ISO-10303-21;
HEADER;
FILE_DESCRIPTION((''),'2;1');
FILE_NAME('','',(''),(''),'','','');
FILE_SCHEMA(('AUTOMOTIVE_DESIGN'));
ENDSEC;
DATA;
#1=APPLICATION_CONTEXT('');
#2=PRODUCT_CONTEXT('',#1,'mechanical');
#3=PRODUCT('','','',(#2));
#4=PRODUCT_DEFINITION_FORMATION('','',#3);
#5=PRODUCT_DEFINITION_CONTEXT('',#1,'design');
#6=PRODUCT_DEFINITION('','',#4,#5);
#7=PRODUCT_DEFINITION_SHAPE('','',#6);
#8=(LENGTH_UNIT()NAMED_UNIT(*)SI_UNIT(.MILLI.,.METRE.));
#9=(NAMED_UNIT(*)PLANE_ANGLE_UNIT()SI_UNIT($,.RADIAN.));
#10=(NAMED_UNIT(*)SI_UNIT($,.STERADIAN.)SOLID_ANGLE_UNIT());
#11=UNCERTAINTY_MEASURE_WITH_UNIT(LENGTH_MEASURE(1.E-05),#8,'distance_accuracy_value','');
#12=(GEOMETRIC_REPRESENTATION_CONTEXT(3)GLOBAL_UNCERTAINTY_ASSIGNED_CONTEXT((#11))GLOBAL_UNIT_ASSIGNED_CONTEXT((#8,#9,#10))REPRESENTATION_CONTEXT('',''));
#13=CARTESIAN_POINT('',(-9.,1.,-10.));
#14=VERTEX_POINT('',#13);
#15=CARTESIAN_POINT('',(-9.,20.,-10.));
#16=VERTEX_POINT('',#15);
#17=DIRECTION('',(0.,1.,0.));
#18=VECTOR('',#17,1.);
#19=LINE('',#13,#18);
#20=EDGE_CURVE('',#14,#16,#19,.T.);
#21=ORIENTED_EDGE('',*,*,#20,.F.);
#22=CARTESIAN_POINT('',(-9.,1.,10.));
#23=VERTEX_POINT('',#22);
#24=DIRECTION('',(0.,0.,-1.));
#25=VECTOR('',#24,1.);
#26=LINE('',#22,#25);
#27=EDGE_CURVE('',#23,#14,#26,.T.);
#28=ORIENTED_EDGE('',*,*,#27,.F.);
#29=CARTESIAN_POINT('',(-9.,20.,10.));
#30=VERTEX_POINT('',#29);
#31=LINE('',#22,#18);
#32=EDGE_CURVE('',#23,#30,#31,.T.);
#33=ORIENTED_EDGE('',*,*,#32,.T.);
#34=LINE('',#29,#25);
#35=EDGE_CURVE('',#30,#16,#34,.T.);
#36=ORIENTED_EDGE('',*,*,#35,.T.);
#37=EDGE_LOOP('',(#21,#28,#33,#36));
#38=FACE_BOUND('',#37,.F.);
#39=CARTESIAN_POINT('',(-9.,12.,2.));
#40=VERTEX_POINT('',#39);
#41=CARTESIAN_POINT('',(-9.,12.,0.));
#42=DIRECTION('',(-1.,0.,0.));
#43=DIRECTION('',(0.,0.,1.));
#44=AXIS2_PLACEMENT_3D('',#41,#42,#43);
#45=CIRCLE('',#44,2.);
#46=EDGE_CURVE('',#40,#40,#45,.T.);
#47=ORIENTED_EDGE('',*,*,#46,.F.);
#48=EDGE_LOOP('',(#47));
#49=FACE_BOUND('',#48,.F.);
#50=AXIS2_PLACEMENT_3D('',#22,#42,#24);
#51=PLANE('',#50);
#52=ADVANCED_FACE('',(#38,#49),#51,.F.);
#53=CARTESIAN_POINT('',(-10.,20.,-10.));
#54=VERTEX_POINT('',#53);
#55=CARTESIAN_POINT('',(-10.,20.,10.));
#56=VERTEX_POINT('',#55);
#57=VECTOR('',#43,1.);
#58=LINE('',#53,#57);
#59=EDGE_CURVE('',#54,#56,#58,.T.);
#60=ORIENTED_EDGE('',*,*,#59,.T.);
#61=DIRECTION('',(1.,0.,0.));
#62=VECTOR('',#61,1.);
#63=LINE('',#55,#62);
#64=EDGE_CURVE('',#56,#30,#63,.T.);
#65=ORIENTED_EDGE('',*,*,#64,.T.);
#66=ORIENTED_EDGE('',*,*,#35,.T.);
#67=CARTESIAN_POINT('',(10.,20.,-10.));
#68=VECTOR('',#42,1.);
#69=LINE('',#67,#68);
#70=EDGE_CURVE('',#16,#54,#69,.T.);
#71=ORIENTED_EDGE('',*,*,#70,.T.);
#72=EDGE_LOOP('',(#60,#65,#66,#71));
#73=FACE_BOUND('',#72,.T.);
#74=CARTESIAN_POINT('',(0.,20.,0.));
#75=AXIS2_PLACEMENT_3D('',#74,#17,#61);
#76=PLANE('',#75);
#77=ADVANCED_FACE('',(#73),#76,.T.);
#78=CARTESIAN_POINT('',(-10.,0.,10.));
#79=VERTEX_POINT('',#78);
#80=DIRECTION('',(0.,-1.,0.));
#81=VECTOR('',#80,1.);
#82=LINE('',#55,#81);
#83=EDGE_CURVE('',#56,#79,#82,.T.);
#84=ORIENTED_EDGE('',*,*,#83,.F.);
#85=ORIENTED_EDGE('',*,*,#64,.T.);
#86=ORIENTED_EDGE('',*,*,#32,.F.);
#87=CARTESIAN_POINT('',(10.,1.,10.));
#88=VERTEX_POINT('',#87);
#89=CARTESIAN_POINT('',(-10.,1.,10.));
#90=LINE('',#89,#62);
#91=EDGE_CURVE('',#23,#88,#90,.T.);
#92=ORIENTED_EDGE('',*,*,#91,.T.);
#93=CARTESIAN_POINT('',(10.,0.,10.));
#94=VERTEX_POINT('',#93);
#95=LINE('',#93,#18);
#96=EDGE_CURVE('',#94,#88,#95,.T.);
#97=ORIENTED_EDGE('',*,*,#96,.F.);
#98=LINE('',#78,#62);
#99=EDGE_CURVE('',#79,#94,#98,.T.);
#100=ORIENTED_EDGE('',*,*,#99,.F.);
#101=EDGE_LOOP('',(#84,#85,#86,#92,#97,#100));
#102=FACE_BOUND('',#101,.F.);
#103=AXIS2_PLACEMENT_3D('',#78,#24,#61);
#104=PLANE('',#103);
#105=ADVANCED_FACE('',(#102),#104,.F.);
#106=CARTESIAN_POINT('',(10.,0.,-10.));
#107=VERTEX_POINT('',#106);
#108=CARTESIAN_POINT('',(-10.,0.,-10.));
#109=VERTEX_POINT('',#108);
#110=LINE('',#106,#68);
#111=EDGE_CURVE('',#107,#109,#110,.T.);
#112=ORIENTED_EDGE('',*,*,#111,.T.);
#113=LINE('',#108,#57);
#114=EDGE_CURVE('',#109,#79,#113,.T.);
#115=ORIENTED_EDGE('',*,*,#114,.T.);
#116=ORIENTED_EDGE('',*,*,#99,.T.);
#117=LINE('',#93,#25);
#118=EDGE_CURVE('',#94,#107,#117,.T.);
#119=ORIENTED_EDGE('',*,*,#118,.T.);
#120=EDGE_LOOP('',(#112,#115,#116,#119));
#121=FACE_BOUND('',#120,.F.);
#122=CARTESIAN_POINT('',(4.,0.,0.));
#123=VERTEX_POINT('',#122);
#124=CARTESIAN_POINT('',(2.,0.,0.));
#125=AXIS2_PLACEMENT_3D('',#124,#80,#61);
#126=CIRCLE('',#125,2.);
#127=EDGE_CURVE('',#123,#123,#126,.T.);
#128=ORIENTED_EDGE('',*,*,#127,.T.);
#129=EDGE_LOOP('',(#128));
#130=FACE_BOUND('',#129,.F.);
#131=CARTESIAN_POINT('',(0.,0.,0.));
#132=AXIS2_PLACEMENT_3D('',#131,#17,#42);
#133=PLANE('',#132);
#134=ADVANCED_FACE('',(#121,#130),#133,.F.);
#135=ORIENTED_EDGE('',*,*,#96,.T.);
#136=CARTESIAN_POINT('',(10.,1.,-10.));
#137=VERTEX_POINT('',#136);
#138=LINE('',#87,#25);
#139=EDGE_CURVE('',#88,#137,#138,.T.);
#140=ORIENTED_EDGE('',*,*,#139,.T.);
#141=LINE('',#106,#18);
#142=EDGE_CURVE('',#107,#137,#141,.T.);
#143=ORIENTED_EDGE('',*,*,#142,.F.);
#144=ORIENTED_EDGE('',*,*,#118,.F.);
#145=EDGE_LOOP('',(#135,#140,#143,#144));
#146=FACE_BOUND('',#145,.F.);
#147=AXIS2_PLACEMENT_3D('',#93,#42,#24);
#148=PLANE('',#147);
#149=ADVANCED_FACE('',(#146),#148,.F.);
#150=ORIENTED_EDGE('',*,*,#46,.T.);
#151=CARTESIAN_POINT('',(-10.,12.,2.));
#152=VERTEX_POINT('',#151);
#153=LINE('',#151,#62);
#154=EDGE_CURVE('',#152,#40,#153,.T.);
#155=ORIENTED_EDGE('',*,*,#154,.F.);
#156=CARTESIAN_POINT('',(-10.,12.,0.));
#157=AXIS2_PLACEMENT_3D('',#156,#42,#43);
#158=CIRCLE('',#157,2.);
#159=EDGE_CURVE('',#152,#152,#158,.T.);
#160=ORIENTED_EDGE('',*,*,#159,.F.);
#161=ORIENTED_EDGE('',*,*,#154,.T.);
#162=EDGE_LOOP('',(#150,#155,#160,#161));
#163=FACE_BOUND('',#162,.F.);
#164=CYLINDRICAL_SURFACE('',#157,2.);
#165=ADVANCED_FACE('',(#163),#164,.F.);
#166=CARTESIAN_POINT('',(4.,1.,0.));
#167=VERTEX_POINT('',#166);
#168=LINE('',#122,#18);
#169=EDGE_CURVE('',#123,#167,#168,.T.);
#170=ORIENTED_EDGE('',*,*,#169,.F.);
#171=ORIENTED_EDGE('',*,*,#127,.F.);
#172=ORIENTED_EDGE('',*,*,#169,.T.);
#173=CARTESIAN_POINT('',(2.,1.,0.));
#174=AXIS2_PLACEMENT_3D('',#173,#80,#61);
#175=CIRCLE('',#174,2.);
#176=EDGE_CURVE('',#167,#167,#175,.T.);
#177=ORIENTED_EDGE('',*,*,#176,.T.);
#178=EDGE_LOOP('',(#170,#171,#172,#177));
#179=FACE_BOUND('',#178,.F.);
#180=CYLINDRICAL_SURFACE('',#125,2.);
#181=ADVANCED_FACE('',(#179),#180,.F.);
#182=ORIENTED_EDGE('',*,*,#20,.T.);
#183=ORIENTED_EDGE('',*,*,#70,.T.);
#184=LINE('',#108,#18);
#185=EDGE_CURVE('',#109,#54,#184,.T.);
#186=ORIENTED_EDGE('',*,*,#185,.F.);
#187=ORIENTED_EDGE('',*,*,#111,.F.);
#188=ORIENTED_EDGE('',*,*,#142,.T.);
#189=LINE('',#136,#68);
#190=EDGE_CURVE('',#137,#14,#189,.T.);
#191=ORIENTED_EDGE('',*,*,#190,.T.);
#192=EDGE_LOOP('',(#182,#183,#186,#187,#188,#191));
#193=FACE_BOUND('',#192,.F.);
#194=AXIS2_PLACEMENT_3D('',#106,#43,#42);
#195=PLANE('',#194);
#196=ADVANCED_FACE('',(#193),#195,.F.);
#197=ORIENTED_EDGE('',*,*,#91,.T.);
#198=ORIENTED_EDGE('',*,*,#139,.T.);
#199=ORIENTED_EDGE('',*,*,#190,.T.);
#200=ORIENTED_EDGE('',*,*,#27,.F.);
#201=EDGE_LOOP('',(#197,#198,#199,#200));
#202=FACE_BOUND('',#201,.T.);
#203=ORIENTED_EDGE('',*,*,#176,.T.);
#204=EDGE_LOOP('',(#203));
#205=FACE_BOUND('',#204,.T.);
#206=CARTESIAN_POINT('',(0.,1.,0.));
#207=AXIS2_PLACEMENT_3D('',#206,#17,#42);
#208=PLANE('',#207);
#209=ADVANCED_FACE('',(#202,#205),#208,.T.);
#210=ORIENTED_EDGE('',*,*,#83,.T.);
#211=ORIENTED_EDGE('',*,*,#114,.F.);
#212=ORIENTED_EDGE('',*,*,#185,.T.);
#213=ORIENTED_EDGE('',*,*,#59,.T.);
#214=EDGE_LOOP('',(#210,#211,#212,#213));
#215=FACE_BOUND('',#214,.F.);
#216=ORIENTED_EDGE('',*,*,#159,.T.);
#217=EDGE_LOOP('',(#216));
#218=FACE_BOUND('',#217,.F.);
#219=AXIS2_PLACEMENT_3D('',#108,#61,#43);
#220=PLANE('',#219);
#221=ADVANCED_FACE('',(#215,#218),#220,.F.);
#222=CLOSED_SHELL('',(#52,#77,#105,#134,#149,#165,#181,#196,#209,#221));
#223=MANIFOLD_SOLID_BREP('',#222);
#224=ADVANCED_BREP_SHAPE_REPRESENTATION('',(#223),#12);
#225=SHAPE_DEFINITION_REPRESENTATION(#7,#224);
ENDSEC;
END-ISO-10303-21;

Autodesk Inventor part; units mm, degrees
ref_plane "YZ Plane" through (0, 0, 0) normal (1, 0, 0) x (0, 1, 0)
ref_plane "XZ Plane" through (0, 0, 0) normal (0, 1, 0) x (-1, 0, 0)
ref_plane "XY Plane" through (0, 0, 0) normal (0, 0, 1) x (1, 0, 0)
sketch "Sketch1" plane through (0, 0, 0) normal (0, 1, 0) x (-1, 0, 0)
  line L0 (-10, -10) -> (10, -10)
  line L1 (10, -10) -> (10, 10)
  line L2 (10, 10) -> (-10, 10)
  line L3 (-10, 10) -> (-10, -10)
  line L4 (-10, -10) -> (10, 10) construction
  line L5 (10, -10) -> (-10, 10) construction
  point P0 (0, 0)
  dimension "d0" = 20
  dimension "d1" = 20
extrude "Extrusion1" add sketch "Sketch1" along normal blind 1
sketch "Sketch2" plane through (0, 1, 0) normal (0, 1, 0) x (1, 0, 0)
  line L0 (-10, -10) -> (10, -10) projected
  line L1 (10, 10) -> (-10, 10) projected
  line L2 (-10, -10) -> (-9, -10)
  line L3 (-9, -10) -> (-9, 10)
  line L4 (-9, 10) -> (-10, 10)
  line L5 (-10, 10) -> (-10, -10)
  point P0 (0, 0)
  dimension "d4" = 1
extrude "Extrusion2" add sketch "Sketch2" along normal blind 19
sketch "Sketch3" plane through (-10, 0, -10) normal (-1, 0, 0) x (0, 0, 1)
  circle A0 centre (10, 12) radius 2
  point P0 (10, 0)
  dimension "d7" = 4
extrude "Extrusion3" cut sketch "Sketch3" against normal blind 10
sketch "Sketch4" plane through (0, 0, 0) normal (0, -1, 0) x (1, 0, 0)
  circle A0 centre (2, 0) radius 2
  point P0 (0, 0)
extrude "Extrusion4" cut sketch "Sketch4" against normal blind 10
properties part number "trail 11"
